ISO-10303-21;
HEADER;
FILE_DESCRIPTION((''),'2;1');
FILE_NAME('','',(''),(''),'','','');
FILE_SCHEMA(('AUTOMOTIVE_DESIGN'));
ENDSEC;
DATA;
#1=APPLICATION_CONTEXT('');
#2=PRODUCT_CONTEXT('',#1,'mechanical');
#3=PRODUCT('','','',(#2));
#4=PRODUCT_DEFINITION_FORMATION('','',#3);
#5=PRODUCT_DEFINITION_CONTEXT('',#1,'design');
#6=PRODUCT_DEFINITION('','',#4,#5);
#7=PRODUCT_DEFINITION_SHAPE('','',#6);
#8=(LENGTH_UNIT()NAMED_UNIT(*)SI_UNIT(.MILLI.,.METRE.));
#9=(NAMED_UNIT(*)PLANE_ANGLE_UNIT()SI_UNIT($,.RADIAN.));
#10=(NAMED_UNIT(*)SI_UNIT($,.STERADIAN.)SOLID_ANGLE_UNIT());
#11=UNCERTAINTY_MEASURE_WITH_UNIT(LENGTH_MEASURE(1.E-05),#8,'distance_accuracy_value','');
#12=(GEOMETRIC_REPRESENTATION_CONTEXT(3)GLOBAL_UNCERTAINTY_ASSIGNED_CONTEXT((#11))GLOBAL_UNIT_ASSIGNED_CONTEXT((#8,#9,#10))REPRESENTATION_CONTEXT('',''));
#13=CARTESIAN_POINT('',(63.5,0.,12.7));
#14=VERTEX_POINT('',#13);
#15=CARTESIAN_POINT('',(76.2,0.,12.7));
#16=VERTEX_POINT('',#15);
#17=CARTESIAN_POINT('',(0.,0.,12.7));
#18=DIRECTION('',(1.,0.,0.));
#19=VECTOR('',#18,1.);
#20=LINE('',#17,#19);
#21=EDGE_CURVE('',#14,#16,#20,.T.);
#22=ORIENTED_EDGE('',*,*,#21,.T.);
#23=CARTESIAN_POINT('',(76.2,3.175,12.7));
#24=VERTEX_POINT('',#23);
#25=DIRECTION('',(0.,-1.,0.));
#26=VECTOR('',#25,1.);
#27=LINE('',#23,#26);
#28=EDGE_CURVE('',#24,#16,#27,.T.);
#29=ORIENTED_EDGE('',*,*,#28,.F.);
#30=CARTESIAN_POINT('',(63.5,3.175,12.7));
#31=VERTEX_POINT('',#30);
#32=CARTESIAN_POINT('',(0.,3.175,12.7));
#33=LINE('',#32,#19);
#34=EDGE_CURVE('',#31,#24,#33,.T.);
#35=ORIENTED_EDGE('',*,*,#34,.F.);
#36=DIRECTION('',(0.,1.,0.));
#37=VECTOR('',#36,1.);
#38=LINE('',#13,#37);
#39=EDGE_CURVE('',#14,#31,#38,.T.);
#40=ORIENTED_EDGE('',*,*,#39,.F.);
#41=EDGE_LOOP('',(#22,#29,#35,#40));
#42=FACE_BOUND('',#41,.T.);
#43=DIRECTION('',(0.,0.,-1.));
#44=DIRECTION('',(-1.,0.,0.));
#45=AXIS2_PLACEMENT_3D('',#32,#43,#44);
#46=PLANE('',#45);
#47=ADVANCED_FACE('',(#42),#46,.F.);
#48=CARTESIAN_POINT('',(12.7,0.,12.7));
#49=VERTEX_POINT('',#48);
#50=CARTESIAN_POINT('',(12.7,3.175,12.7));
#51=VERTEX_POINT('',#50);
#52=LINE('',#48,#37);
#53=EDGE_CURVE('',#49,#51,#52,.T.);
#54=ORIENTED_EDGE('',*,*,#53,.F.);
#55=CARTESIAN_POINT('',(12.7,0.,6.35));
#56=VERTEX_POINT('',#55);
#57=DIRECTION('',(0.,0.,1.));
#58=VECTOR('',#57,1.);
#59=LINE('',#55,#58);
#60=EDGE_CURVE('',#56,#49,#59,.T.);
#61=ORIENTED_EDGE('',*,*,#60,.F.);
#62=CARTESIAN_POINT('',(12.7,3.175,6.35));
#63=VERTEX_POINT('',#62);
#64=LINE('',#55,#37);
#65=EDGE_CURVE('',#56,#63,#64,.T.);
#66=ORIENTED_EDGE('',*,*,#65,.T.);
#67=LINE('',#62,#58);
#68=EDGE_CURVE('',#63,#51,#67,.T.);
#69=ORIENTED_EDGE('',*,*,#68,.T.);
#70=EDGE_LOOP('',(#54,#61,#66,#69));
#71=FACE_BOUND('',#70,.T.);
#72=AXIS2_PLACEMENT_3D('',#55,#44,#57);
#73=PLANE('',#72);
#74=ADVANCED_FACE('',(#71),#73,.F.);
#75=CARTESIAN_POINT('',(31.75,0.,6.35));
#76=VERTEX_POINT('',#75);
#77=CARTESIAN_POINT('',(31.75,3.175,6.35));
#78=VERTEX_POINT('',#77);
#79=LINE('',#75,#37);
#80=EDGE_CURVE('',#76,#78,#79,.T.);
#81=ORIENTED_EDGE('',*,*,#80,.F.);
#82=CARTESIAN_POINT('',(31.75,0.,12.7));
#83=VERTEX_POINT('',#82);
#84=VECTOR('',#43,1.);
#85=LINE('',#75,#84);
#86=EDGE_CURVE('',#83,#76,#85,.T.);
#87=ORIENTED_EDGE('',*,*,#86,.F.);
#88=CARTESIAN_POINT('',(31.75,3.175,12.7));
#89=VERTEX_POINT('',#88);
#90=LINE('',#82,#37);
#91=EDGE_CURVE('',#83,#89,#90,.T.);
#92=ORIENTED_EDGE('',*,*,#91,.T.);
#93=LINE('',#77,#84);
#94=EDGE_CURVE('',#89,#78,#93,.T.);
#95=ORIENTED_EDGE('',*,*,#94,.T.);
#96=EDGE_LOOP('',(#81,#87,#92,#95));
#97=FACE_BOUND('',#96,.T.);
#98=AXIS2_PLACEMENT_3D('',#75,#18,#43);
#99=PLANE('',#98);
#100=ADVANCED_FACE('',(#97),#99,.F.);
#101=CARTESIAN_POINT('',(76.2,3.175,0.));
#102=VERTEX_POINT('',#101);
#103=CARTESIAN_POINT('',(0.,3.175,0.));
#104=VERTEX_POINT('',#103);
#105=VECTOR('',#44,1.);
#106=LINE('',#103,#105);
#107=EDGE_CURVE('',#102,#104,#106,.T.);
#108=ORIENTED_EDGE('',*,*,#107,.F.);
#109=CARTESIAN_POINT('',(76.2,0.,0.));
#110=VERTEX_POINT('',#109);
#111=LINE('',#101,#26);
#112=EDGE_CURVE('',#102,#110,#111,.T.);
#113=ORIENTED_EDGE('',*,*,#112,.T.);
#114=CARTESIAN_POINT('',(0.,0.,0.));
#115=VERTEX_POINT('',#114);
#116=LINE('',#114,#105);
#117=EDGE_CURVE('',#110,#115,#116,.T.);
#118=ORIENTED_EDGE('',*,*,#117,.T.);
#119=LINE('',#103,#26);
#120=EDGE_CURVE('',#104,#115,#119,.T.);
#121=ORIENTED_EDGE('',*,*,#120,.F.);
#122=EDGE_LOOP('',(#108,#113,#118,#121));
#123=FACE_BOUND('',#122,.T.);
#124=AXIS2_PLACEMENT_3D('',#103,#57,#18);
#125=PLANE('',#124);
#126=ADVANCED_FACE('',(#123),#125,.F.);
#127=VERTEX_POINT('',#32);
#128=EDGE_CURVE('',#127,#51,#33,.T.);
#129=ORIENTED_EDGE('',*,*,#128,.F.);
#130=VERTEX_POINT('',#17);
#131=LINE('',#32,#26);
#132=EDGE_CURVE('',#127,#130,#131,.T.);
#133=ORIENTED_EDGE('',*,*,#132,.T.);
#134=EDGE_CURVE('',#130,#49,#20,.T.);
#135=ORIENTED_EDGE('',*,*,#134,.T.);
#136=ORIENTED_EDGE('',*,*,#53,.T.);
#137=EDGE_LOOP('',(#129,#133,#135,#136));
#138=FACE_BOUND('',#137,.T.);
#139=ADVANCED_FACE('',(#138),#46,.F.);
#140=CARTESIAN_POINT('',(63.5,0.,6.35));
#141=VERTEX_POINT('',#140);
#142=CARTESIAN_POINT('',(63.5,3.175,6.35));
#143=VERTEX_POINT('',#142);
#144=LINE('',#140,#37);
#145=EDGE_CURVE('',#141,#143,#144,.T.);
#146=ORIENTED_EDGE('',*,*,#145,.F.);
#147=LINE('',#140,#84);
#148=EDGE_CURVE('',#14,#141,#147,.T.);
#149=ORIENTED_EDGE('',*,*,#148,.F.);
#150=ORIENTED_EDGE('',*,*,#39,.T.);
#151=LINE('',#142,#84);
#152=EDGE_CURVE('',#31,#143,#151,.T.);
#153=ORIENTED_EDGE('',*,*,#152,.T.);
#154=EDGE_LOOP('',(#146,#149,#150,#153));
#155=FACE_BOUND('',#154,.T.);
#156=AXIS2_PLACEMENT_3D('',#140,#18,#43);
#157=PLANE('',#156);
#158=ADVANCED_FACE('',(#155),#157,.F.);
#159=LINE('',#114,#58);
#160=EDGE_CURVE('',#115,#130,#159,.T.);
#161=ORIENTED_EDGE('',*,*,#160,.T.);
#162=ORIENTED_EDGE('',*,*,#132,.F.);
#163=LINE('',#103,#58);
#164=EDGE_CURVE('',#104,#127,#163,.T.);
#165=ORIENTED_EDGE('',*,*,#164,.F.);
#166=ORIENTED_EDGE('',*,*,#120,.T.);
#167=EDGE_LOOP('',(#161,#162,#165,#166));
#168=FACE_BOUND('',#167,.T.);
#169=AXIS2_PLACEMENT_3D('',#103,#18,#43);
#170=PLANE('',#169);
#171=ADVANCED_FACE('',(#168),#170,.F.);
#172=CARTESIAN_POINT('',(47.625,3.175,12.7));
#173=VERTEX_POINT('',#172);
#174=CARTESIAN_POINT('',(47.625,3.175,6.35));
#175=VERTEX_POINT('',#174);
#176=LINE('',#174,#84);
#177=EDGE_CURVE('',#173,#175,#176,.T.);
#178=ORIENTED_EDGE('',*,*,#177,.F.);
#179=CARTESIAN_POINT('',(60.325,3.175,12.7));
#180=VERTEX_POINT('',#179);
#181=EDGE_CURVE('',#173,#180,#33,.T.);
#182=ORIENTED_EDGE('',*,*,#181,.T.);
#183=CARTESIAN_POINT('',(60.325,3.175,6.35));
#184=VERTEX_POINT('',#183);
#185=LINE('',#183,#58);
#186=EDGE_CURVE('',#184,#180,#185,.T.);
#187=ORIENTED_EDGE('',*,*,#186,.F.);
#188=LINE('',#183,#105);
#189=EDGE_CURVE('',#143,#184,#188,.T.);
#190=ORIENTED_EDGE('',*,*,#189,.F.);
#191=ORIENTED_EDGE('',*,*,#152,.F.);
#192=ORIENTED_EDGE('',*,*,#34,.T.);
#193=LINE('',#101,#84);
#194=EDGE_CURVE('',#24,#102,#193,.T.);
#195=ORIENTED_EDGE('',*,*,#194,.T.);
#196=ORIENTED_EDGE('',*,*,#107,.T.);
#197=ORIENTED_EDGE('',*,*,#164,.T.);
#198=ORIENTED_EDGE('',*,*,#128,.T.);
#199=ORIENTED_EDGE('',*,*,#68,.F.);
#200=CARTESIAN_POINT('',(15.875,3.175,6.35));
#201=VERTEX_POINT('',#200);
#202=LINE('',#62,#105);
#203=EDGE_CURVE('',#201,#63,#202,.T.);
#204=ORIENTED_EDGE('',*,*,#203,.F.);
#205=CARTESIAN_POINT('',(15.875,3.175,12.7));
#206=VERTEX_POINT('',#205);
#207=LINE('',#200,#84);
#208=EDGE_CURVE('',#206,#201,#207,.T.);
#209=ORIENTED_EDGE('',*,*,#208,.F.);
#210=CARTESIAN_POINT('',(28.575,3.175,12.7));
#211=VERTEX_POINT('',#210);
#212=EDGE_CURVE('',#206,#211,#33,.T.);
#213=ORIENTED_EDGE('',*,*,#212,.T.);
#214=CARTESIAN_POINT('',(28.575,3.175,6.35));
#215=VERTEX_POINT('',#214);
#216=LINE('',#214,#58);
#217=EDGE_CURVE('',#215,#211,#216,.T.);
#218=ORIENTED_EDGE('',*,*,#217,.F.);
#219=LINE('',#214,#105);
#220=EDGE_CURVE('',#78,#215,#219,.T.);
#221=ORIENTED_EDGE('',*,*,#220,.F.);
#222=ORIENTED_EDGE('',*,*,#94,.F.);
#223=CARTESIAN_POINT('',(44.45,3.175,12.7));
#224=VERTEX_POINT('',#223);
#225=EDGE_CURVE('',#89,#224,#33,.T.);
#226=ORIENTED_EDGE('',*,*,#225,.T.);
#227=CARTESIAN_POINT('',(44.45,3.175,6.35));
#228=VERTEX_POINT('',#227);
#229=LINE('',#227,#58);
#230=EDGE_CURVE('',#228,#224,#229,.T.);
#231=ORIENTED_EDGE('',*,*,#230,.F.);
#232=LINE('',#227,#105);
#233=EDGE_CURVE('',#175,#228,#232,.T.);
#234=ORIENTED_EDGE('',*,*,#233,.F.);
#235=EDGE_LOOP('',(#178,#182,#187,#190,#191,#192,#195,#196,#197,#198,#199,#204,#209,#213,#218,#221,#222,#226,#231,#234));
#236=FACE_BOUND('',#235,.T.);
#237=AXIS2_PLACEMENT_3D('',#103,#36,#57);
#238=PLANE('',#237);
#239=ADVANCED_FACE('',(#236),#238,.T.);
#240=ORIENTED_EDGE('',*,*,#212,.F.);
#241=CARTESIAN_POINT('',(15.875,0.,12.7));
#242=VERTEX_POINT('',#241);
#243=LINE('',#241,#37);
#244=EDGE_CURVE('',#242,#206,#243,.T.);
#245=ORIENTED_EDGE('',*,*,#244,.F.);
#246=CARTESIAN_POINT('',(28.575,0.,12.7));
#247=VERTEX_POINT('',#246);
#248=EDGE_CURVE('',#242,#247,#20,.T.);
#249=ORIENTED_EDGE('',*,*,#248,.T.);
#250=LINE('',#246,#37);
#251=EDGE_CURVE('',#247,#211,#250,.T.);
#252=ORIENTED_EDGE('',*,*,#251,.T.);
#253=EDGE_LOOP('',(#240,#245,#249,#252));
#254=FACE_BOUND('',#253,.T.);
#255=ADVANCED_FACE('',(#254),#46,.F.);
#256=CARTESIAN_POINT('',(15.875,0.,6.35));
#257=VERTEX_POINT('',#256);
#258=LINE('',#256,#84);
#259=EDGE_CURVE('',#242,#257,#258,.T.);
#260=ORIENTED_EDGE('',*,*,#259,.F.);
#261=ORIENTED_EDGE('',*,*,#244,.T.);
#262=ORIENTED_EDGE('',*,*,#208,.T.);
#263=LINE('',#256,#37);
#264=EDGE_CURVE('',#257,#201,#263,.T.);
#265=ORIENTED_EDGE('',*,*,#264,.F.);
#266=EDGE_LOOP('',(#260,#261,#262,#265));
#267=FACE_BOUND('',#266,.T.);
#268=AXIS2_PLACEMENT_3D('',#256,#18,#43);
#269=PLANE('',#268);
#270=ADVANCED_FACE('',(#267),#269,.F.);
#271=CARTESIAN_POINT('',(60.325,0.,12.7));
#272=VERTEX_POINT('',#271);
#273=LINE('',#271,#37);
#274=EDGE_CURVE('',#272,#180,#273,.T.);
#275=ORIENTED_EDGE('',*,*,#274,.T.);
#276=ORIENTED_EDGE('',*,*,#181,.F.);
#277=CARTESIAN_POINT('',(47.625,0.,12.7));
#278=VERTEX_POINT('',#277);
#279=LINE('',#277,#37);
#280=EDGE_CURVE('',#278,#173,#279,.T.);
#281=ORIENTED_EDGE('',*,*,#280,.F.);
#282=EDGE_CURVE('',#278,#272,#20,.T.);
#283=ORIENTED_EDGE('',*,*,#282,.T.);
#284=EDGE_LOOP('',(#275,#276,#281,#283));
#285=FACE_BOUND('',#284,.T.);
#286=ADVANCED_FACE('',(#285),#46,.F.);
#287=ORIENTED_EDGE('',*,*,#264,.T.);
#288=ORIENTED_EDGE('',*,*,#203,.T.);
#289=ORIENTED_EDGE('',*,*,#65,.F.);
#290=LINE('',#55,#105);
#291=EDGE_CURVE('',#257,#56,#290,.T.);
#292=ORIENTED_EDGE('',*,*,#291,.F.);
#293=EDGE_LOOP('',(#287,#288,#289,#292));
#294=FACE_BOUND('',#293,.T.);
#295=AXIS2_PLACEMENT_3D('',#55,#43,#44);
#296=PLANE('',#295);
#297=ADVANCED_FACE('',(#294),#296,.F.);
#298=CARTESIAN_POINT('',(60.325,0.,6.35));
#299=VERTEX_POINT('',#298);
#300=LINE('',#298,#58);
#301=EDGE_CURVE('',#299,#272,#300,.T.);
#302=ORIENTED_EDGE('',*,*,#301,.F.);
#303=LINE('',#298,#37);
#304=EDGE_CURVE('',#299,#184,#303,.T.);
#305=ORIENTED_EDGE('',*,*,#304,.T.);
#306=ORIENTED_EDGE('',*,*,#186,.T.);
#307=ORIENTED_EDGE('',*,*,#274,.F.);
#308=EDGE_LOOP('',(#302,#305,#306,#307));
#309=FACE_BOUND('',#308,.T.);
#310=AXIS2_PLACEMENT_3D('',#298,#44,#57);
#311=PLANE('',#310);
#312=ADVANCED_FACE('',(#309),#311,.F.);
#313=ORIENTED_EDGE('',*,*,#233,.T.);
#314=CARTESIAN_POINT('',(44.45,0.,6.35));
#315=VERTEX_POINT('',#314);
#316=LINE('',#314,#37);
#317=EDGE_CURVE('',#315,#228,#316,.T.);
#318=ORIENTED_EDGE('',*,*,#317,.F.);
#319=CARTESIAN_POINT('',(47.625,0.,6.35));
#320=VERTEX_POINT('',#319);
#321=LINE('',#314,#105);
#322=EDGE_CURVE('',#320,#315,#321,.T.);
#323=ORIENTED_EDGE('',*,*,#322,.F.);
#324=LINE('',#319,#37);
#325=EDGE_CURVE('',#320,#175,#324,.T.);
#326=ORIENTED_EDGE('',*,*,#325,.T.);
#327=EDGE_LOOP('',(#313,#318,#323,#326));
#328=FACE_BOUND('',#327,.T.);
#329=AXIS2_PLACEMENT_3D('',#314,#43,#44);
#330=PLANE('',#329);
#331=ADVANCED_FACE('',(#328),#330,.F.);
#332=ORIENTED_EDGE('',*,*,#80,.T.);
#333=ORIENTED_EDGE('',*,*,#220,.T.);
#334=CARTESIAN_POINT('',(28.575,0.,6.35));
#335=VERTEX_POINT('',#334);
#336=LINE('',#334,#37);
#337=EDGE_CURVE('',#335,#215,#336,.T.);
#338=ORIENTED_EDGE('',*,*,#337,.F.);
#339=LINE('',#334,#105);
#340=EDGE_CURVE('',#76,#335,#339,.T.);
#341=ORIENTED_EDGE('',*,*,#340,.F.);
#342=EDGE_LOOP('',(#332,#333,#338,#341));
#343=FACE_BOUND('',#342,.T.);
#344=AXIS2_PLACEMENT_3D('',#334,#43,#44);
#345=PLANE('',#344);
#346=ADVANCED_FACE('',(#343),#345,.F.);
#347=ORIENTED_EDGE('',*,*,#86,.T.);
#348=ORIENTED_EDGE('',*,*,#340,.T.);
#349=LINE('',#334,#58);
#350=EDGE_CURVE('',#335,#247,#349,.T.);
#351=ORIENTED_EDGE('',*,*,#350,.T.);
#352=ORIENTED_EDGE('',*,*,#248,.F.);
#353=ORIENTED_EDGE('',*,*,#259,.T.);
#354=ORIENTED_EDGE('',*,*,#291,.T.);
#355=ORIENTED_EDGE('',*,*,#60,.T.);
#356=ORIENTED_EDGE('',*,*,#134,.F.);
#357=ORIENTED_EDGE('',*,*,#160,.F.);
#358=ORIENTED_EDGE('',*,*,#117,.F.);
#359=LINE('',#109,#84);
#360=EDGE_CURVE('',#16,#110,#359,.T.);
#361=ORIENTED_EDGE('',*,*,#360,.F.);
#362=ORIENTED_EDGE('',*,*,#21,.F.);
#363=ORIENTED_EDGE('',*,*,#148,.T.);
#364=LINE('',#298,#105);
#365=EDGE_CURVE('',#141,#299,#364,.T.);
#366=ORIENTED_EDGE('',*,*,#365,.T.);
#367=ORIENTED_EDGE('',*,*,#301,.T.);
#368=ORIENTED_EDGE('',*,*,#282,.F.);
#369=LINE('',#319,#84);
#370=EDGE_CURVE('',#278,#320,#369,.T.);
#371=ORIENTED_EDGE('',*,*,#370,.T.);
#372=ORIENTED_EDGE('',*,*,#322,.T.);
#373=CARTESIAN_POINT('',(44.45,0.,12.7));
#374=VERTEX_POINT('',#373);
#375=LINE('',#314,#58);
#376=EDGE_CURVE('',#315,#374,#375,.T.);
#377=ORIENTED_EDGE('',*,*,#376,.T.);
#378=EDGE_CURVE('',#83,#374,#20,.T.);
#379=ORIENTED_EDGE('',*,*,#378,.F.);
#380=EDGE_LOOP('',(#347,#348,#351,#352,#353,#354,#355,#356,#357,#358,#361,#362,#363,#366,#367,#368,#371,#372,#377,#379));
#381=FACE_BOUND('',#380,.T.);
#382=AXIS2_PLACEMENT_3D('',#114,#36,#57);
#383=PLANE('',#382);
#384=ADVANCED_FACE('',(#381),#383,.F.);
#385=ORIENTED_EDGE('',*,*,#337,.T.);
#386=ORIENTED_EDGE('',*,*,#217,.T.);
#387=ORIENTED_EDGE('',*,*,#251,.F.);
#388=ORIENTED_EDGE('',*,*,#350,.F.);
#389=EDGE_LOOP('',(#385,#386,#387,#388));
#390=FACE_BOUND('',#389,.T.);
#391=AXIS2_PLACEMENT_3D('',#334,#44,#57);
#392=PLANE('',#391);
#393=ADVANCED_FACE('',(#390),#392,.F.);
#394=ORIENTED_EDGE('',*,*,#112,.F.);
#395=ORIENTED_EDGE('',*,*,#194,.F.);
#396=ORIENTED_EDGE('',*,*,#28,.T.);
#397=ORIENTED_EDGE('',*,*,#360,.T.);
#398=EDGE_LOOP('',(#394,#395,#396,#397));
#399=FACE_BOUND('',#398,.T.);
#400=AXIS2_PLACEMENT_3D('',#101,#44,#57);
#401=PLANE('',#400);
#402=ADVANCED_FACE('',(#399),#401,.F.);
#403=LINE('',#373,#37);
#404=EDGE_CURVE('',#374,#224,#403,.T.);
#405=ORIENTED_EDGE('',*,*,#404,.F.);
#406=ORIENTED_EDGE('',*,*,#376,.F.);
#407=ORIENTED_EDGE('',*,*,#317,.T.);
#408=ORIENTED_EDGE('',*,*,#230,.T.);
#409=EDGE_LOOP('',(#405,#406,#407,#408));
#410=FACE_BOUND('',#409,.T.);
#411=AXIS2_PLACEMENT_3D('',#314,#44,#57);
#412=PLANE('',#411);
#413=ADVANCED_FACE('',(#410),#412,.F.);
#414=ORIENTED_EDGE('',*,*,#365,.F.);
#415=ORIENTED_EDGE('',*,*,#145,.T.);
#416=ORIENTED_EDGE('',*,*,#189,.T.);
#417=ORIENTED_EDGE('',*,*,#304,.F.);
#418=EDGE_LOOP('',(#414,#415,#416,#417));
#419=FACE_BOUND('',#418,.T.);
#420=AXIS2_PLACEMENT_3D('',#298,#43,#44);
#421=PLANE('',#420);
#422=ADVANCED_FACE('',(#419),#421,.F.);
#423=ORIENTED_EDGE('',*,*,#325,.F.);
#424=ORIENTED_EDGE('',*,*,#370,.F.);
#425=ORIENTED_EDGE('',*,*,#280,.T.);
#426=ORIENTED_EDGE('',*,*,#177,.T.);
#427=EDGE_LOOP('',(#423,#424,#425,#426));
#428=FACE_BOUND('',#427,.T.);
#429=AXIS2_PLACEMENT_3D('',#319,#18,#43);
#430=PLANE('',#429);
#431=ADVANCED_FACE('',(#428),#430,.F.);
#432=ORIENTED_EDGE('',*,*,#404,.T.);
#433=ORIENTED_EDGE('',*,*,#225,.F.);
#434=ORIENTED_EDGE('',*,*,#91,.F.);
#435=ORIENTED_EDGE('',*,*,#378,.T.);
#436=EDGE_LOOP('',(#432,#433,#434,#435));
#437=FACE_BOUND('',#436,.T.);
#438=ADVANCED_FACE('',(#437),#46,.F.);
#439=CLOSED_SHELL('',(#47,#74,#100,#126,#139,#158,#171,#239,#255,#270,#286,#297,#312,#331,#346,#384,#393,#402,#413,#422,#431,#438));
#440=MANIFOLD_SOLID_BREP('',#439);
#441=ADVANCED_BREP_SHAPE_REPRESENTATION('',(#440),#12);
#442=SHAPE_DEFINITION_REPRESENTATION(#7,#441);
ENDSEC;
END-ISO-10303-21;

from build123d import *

# Parameters (mm, degrees)
SKETCH1_W           = 76.2
SKETCH1_H           = 12.7
BOSS_EXTRUDE1_DEPTH = 3.175
SKETCH4_W           = 3.175
SKETCH4_H           = 6.35
CUT_EXTRUDE1_DEPTH  = 4.175
LPATTERN1_COUNT     = 4
LPATTERN1_PITCH     = 15.875


with BuildPart() as part:
    # Sketch1 → Boss-Extrude1 (new body)
    with BuildSketch(Plane(origin=(0, 0, 0), x_dir=(1, 0, 0), z_dir=(0, 1, 0))):
        with Locations((38.1, -6.35)):
            Rectangle(SKETCH1_W, SKETCH1_H)
    extrude(amount=BOSS_EXTRUDE1_DEPTH)

    # Sketch4 → Cut-Extrude1 (cut, through all)
    with BuildSketch(Plane(origin=(0, 3.175, 0), x_dir=(1, 0, 0), z_dir=(0, 1, 0))):
        with Locations((14.2875, -9.525)):
            Rectangle(SKETCH4_W, SKETCH4_H)
    cut_extrude1 = extrude(amount=-CUT_EXTRUDE1_DEPTH, mode=Mode.SUBTRACT)

    # LPattern1: Cut-Extrude1 ×4
    with Locations(*[(i * LPATTERN1_PITCH, 0, 0) for i in range(1, LPATTERN1_COUNT)]):
        add(cut_extrude1, mode=Mode.SUBTRACT)


solid = part.part
